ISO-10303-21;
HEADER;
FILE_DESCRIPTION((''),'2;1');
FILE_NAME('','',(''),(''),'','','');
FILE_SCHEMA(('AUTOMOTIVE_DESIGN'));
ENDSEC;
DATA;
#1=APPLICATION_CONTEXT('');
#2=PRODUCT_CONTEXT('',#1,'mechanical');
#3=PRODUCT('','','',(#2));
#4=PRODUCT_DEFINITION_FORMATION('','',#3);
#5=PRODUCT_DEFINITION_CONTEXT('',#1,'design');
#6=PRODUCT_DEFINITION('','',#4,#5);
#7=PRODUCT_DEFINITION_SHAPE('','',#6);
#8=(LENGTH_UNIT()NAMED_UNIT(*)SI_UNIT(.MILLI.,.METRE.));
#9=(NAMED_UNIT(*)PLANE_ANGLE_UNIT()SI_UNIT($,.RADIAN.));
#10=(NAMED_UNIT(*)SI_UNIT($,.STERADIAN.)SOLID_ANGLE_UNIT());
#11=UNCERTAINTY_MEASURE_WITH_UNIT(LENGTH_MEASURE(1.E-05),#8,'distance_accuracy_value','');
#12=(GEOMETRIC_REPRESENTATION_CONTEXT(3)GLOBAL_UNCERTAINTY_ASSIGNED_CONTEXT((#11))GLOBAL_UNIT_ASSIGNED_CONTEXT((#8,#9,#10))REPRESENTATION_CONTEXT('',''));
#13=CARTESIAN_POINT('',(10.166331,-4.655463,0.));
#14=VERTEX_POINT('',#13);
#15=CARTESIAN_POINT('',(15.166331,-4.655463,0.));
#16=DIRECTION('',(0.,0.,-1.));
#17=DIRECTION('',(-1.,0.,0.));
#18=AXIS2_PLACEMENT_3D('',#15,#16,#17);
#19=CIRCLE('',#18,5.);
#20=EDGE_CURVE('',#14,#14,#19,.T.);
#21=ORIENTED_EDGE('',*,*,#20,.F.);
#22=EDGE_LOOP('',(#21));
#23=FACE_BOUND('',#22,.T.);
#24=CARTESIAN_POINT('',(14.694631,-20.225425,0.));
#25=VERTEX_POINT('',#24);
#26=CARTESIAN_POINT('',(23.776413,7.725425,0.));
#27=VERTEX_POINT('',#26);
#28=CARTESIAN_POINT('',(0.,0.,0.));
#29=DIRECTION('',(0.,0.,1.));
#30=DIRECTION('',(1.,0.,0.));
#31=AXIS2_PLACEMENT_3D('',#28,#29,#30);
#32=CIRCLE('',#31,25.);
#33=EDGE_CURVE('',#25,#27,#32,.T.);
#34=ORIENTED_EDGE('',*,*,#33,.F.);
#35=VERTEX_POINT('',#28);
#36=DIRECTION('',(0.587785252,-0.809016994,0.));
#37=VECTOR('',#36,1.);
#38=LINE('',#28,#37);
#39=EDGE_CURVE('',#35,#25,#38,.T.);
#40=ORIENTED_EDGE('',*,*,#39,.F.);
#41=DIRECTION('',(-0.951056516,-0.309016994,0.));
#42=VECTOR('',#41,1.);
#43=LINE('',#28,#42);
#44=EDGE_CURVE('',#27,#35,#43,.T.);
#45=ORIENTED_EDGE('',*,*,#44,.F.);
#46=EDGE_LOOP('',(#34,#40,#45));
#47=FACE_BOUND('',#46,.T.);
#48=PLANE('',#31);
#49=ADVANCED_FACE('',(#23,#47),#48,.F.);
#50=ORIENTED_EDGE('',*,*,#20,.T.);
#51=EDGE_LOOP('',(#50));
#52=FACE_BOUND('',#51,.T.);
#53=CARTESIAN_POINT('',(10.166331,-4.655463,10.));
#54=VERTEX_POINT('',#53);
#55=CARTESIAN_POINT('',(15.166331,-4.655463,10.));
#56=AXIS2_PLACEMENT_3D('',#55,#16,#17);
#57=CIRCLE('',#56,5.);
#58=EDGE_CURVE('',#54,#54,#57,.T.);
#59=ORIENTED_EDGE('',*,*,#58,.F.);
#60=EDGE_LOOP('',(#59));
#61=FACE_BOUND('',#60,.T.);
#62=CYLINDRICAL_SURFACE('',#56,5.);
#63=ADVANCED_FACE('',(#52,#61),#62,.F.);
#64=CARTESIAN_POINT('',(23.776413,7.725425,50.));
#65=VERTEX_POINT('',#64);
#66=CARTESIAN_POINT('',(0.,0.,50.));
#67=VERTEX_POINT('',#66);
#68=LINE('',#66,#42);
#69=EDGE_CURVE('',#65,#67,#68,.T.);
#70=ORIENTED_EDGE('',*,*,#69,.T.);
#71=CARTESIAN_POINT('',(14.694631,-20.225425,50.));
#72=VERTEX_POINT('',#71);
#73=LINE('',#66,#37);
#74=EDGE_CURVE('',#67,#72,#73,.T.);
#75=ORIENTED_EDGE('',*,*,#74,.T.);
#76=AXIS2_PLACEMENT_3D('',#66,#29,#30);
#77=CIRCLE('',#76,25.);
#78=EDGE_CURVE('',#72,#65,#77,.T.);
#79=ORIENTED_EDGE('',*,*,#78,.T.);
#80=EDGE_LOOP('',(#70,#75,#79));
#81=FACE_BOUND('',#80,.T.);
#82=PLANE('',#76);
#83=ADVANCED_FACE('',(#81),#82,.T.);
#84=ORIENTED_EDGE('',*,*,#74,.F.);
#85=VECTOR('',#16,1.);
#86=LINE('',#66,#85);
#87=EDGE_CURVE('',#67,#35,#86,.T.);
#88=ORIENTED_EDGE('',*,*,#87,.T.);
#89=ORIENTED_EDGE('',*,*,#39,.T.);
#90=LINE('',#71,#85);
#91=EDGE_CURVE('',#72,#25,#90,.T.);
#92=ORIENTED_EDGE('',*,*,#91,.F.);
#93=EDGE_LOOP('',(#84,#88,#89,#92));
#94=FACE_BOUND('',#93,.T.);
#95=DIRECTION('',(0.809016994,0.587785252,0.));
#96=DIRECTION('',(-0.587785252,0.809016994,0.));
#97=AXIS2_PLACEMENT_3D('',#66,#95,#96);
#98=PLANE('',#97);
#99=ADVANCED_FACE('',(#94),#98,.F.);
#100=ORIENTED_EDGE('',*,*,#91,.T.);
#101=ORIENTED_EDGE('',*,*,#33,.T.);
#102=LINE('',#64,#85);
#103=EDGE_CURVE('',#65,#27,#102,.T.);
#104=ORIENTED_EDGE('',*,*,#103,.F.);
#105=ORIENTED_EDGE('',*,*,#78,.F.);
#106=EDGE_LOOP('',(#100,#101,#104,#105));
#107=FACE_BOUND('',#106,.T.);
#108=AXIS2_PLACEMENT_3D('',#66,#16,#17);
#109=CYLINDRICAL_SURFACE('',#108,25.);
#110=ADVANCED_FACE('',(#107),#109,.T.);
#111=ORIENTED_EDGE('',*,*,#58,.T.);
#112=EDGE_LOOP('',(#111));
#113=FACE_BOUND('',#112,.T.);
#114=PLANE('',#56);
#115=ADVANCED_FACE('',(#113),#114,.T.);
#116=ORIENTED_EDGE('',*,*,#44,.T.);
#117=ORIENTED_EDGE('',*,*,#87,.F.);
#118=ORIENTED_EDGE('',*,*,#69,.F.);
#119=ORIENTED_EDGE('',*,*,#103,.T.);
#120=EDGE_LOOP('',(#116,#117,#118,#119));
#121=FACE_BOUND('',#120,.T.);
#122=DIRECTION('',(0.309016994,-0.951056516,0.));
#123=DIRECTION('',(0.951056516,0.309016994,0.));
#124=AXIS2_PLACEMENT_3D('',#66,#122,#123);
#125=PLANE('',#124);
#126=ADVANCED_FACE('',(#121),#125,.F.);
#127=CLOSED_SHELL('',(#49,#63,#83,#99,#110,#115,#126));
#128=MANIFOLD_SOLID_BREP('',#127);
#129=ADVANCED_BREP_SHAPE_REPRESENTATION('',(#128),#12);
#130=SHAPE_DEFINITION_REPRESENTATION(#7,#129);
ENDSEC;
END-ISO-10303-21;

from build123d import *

# Parameters (mm, degrees)
SALIENTE_EXTRUIR1_DEPTH = 50
CROQUIS2_R              = 5
CORTAR_EXTRUIR1_DEPTH   = 10


with BuildPart() as part:
    # Croquis1 → Saliente-Extruir1 (new body)
    with BuildSketch(Plane.XY):
        with BuildLine():
            Line((0, 0), (23.776412907, 7.725424859))
            ThreePointArc((23.776412907, 7.725424859), (23.776412907, -7.725424859), (14.694631307, -20.225424859))
            Line((14.694631307, -20.225424859), (0, 0))
        make_face()
    extrude(amount=SALIENTE_EXTRUIR1_DEPTH)

    # Croquis2 → Cortar-Extruir1 (cut)
    with BuildSketch(Plane(origin=(0, 0, 0), x_dir=(-1, 0, 0), z_dir=(0, 0, -1))):
        with Locations((-15.166331027, -4.655462779)):
            Circle(CROQUIS2_R)
    extrude(amount=-CORTAR_EXTRUIR1_DEPTH, mode=Mode.SUBTRACT)


solid = part.part
